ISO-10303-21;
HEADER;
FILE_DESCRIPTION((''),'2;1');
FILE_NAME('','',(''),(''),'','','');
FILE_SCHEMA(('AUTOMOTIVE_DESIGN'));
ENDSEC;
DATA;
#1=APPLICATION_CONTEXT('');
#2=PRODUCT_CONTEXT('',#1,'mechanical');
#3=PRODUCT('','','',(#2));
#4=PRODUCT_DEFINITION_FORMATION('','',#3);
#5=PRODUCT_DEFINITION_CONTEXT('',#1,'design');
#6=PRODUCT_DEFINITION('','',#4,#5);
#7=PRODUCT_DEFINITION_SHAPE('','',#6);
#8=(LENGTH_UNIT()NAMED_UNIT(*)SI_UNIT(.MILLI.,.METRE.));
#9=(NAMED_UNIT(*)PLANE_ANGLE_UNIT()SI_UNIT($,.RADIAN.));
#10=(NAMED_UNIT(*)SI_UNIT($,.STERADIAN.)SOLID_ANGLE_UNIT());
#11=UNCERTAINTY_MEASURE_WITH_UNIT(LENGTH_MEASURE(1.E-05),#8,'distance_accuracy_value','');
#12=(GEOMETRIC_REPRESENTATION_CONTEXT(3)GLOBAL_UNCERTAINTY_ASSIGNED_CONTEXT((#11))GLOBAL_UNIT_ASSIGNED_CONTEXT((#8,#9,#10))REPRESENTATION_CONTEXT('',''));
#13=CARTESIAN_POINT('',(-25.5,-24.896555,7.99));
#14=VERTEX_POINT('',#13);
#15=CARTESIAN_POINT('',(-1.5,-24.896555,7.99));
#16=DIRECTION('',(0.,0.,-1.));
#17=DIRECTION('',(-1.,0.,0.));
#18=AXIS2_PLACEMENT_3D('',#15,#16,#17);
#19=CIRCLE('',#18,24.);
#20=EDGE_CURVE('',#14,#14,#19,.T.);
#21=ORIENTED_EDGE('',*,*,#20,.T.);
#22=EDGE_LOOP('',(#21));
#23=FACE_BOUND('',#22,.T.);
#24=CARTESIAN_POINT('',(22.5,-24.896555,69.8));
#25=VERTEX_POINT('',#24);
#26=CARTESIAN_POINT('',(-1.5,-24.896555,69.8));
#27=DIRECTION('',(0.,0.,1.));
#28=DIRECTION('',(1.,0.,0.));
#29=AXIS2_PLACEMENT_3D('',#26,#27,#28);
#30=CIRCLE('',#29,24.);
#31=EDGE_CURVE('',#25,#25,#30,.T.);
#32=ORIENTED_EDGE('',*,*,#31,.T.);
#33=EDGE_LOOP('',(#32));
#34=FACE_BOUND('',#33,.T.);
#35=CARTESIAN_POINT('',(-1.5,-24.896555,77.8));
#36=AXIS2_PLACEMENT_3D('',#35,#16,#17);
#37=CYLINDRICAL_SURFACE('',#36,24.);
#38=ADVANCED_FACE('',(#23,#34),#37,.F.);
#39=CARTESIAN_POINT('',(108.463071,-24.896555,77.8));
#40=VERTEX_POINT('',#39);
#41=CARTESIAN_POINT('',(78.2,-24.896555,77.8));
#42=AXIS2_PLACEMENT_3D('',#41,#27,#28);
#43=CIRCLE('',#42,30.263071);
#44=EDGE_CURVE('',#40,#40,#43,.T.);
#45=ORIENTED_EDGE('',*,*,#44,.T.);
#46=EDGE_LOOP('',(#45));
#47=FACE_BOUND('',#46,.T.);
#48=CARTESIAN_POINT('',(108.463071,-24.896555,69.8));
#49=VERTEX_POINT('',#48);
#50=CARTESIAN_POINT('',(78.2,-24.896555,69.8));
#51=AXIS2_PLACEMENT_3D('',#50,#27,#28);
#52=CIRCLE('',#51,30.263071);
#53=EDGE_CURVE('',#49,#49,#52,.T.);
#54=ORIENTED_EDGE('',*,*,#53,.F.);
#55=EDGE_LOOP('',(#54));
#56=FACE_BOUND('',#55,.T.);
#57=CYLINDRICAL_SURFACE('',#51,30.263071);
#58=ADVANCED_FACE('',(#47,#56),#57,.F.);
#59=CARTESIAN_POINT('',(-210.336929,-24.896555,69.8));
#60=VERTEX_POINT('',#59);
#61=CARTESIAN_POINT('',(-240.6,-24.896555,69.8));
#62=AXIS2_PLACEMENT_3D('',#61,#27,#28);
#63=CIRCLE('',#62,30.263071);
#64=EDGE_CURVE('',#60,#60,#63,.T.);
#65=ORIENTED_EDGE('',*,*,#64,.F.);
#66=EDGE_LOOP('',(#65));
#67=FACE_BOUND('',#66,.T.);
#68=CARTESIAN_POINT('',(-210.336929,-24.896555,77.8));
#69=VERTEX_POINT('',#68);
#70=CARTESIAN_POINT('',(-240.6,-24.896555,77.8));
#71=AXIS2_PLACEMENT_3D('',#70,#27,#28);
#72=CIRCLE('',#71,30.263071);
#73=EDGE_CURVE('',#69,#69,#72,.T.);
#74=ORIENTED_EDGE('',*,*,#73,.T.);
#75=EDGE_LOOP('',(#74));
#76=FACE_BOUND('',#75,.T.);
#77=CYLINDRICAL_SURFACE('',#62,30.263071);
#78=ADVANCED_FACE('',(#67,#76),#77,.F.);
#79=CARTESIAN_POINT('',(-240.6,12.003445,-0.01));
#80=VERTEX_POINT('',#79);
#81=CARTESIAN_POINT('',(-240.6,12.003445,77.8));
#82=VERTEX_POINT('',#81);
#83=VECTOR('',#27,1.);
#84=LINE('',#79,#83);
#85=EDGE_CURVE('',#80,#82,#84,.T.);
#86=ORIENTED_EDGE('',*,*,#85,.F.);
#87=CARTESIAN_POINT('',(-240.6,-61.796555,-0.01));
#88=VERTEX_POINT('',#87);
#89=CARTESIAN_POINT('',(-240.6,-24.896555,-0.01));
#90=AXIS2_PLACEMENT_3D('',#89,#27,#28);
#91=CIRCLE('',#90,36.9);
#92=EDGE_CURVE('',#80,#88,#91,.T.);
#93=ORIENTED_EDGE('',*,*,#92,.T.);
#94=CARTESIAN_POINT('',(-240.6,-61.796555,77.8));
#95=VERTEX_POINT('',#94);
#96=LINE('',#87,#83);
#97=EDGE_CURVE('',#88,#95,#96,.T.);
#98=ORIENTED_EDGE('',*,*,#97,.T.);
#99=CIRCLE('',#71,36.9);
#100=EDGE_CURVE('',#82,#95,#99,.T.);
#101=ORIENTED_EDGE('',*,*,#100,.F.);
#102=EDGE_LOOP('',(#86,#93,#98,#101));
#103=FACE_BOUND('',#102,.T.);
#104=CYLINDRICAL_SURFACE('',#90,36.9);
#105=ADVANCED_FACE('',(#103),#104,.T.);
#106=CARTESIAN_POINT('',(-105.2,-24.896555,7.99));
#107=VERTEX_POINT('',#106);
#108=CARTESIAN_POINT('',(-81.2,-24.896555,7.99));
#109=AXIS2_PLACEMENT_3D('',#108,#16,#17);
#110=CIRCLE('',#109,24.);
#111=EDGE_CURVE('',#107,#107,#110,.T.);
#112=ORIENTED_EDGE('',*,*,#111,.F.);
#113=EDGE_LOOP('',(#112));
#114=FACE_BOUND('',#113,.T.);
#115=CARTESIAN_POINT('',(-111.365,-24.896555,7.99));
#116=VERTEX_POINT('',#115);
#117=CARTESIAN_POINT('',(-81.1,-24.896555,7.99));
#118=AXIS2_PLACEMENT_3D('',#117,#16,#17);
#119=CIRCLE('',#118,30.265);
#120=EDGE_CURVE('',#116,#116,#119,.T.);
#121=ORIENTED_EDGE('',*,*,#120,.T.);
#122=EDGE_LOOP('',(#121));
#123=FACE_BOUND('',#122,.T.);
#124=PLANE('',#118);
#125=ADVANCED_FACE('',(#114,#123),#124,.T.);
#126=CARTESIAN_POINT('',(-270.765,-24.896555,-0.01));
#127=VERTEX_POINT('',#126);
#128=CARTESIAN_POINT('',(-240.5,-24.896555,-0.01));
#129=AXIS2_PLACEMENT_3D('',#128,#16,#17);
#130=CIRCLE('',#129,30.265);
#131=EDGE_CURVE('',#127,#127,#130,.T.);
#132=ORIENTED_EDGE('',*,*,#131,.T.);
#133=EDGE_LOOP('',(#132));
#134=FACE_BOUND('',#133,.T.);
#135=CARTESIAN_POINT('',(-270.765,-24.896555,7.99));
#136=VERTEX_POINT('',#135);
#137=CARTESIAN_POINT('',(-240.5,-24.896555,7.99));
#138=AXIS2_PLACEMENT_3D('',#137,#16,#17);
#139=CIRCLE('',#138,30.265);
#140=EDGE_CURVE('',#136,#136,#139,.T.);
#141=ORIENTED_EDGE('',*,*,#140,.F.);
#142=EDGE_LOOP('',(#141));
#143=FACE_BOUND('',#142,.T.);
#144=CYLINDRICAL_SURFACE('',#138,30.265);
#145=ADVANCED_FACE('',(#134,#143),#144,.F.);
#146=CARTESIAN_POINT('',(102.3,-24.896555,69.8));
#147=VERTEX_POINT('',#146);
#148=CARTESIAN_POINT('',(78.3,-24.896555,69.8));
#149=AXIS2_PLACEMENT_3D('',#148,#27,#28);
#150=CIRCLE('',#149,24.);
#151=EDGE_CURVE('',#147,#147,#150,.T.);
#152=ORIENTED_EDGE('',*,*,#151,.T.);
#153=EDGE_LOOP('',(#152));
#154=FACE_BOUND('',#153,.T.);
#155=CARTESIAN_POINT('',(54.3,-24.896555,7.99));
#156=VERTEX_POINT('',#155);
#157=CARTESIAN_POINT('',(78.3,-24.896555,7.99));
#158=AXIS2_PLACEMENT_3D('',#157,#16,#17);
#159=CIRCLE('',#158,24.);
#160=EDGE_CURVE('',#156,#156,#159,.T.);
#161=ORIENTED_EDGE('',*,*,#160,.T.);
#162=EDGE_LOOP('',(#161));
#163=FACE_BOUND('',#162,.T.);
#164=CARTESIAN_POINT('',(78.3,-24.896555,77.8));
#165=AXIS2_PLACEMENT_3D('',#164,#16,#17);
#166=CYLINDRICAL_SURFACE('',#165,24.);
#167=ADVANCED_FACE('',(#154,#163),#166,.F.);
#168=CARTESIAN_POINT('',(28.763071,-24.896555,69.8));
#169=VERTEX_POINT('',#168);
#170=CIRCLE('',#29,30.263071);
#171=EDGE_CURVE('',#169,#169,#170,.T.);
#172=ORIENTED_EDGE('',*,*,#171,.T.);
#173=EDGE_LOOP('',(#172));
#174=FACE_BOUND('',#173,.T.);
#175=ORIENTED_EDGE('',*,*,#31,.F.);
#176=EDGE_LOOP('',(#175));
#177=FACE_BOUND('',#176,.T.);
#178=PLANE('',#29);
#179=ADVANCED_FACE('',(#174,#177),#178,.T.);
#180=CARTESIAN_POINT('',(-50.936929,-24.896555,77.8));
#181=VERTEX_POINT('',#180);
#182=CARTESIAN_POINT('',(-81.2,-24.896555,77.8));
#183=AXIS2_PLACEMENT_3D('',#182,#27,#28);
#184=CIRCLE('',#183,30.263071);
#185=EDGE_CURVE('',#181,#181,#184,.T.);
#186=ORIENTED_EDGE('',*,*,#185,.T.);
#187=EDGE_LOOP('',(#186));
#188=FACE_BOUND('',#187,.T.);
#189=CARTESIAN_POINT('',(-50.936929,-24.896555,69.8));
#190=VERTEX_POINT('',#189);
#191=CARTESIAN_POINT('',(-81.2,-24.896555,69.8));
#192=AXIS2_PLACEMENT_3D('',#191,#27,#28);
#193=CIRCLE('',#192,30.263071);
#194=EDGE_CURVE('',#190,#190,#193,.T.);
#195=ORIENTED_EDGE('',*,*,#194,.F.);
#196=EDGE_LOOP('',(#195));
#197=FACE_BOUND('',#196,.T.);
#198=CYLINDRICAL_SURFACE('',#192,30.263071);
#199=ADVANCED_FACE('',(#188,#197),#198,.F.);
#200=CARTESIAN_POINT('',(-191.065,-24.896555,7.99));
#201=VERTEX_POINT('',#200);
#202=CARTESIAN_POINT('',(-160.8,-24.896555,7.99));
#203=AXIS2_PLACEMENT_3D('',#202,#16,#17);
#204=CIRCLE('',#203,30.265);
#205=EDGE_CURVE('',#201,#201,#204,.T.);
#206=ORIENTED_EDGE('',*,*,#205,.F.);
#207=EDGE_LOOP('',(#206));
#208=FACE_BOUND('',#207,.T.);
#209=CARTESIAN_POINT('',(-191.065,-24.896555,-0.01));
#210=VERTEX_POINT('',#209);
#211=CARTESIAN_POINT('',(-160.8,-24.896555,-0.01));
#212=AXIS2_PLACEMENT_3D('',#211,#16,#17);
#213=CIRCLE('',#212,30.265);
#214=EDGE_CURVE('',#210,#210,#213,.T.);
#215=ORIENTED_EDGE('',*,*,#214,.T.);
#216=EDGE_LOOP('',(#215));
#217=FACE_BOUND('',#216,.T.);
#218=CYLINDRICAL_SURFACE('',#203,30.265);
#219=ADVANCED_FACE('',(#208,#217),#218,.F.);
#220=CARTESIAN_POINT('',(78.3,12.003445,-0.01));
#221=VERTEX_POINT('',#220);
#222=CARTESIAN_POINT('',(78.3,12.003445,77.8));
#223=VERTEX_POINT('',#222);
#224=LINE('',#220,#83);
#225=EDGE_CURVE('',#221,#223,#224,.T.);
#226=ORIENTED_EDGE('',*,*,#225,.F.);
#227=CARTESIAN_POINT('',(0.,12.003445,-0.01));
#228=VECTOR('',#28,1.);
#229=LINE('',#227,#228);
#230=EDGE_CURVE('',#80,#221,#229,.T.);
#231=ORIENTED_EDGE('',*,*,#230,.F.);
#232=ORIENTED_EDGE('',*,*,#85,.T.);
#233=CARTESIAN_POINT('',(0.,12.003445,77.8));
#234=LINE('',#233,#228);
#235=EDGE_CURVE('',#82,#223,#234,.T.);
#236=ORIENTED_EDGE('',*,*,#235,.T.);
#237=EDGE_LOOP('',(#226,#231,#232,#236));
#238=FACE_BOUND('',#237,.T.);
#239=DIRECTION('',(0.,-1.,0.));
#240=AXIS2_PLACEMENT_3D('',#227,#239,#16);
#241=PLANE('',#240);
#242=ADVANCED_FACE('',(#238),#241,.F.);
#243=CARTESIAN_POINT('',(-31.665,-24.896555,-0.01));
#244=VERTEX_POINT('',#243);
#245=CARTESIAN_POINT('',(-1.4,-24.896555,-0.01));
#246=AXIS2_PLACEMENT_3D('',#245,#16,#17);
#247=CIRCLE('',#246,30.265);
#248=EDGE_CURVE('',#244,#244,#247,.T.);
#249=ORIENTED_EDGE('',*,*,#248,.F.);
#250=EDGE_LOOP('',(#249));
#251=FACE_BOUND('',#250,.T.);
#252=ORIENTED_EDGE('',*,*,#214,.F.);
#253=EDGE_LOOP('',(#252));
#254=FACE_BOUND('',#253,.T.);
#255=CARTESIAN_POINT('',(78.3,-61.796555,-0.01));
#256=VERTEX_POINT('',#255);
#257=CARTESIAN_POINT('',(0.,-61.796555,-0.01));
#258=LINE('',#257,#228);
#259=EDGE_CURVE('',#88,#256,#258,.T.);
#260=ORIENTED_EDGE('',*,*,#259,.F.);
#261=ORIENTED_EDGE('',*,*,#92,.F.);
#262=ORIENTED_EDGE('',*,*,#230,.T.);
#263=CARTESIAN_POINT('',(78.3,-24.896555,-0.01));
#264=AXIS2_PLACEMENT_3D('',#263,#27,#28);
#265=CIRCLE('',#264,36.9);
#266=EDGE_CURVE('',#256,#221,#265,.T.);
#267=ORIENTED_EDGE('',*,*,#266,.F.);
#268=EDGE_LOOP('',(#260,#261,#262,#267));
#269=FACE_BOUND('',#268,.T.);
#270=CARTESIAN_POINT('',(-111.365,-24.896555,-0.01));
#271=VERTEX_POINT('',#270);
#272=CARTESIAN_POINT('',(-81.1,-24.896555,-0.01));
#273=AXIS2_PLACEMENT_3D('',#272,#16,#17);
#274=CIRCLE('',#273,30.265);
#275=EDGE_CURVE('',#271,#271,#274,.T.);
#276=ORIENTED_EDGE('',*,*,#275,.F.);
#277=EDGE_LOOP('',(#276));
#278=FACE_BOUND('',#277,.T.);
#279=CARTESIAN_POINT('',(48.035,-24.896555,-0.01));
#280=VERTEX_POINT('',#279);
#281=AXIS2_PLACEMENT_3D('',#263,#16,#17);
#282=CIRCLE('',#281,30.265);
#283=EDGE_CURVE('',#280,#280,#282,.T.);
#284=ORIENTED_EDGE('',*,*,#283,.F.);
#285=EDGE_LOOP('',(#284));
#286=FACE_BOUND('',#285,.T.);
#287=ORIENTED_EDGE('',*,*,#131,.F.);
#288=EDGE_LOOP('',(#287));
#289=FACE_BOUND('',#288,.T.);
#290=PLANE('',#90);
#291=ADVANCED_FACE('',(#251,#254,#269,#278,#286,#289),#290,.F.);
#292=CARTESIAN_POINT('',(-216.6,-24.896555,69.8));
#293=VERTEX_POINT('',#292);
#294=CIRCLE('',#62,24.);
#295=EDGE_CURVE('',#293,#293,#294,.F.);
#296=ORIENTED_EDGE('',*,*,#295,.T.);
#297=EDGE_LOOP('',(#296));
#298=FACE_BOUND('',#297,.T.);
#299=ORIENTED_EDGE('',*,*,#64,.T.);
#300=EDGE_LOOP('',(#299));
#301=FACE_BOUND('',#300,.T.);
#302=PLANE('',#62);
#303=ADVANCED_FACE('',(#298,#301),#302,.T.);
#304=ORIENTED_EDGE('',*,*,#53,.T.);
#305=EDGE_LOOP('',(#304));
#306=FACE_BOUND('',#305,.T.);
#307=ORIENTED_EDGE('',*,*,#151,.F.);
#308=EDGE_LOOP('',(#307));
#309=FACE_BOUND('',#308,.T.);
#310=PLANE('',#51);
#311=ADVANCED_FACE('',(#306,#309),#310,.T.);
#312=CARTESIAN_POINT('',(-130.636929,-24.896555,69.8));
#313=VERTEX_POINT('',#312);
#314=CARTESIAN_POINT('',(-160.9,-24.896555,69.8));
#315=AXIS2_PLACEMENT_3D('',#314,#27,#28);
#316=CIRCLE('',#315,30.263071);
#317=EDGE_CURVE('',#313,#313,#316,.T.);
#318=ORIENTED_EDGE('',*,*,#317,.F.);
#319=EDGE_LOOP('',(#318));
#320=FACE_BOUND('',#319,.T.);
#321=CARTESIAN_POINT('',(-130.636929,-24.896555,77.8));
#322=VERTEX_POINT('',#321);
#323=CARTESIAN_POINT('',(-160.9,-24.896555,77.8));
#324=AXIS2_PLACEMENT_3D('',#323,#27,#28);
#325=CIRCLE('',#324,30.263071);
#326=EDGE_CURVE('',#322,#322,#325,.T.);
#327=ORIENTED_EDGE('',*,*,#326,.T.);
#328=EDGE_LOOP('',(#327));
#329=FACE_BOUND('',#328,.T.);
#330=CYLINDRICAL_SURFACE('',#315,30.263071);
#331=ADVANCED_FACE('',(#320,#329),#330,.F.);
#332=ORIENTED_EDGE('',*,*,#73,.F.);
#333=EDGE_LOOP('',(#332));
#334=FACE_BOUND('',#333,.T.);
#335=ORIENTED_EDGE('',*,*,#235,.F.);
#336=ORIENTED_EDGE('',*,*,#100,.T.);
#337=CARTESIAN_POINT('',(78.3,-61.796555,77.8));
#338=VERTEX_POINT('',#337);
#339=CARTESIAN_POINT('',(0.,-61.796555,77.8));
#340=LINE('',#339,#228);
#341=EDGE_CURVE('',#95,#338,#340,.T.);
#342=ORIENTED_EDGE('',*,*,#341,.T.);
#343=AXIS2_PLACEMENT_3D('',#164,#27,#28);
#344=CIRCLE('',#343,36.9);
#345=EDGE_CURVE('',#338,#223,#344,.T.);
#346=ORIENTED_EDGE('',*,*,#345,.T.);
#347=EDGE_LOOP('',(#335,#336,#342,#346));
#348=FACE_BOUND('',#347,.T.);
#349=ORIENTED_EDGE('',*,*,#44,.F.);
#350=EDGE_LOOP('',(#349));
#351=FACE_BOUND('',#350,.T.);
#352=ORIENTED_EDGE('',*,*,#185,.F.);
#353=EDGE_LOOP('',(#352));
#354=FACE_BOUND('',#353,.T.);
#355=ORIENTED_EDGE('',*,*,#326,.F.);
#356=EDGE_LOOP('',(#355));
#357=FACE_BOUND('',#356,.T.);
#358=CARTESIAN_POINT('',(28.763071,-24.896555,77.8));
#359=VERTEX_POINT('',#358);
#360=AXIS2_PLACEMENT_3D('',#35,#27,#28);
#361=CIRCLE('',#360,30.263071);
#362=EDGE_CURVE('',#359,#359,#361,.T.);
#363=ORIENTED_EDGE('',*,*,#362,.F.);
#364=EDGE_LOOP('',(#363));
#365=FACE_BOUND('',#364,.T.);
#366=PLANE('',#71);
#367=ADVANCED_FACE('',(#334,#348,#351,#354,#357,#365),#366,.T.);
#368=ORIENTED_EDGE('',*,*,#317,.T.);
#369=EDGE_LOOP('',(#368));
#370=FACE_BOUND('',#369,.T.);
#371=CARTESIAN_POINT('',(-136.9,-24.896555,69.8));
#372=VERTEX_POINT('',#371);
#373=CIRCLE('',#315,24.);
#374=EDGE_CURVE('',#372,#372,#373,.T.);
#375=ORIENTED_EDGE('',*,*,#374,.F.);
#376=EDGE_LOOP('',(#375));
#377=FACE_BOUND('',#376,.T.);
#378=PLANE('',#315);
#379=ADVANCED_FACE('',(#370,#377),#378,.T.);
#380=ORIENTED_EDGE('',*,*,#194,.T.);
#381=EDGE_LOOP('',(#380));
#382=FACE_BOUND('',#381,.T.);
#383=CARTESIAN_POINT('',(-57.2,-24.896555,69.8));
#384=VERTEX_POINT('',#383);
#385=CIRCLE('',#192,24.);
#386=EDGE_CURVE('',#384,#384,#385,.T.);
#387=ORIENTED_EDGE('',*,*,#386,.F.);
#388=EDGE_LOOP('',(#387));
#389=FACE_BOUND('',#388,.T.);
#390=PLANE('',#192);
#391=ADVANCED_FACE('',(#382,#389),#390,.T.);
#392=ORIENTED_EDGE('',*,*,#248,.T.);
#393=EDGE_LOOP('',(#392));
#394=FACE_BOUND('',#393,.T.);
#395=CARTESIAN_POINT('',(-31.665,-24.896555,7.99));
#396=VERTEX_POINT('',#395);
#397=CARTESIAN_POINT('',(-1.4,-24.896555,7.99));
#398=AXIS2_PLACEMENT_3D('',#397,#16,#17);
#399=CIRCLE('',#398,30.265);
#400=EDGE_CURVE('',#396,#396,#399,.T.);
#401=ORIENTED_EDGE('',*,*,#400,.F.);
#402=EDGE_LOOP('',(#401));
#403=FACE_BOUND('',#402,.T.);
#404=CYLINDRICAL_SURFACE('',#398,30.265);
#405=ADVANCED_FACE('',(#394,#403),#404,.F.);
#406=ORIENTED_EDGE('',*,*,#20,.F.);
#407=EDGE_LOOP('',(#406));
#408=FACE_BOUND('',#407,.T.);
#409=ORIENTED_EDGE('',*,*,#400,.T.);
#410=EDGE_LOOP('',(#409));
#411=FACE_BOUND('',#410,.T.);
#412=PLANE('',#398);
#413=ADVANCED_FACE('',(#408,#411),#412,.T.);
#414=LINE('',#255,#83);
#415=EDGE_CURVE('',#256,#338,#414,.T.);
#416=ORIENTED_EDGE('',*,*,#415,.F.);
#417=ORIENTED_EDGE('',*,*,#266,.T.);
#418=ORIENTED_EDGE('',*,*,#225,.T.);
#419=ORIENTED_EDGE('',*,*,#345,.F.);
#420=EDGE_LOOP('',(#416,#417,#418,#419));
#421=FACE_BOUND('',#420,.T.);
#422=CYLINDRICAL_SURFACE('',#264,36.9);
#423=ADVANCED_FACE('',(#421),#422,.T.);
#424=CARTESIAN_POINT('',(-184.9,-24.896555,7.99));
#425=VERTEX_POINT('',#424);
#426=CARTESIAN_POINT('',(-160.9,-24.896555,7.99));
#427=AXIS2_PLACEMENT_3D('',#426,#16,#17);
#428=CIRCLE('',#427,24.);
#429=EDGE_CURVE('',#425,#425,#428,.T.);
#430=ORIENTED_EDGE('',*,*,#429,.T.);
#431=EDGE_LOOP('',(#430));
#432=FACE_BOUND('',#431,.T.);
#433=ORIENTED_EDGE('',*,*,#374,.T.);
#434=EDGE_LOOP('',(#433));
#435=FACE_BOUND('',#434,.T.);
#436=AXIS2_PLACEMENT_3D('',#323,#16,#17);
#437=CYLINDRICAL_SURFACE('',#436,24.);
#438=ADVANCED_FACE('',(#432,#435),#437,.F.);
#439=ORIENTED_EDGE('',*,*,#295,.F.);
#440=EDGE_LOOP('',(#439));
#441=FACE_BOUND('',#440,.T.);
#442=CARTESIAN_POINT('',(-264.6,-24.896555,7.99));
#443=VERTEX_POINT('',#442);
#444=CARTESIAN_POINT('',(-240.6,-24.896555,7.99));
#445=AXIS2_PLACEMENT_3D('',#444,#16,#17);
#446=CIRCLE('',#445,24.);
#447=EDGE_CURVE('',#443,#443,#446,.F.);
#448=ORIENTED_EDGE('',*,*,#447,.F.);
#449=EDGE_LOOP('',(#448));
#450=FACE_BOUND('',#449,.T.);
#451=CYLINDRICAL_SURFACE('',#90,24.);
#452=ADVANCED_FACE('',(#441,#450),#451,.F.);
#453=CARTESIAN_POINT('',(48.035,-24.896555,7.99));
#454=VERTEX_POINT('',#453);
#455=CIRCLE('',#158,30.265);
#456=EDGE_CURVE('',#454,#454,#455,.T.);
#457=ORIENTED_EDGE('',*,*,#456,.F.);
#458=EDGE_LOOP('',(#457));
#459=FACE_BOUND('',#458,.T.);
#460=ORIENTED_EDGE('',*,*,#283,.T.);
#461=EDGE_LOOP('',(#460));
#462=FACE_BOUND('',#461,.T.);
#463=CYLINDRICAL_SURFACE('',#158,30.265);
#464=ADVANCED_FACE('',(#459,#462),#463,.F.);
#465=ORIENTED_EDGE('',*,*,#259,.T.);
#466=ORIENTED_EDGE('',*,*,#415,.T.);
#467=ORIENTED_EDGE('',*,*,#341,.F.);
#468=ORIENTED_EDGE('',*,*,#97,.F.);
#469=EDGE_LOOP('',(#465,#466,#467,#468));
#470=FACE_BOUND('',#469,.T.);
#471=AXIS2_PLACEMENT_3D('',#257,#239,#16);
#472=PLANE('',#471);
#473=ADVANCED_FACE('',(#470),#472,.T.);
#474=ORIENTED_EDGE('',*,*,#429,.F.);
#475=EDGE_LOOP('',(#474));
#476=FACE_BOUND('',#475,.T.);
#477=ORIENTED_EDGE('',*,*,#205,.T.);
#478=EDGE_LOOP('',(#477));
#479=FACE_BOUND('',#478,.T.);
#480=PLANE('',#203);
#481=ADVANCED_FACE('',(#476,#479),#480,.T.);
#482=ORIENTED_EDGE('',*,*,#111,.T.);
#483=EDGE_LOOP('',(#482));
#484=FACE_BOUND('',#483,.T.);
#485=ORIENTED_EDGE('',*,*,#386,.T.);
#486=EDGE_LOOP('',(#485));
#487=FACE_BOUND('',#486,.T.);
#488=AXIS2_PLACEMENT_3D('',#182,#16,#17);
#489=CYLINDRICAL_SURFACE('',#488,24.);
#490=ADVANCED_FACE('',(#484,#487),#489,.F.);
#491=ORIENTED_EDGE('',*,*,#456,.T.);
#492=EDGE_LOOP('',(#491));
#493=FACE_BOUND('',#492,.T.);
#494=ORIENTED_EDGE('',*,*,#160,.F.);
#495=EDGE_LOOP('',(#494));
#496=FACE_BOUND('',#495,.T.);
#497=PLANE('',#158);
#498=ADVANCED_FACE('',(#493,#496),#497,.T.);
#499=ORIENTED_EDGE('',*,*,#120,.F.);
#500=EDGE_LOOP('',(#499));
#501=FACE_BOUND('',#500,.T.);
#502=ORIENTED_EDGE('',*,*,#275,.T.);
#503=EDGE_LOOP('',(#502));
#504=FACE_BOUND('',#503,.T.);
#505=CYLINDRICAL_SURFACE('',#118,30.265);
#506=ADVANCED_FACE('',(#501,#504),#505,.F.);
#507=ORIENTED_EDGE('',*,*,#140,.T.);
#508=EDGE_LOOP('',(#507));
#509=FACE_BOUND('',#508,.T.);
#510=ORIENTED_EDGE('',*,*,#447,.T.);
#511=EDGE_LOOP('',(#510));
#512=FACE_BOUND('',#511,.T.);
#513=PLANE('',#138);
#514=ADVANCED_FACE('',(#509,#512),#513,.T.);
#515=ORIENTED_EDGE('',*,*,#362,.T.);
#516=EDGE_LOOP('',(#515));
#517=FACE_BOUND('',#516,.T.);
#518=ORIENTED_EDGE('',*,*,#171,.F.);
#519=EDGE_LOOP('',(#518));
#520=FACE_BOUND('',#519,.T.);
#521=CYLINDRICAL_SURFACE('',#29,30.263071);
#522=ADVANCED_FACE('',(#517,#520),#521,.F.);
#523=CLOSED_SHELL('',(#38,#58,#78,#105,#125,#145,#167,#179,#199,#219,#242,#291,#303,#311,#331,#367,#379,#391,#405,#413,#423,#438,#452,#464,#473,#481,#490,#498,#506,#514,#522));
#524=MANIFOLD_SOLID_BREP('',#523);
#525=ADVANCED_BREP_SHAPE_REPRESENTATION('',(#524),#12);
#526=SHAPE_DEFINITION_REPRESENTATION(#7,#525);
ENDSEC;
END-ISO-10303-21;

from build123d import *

# Parameters (mm, degrees)
SKETCH1_R                = 24
BOSS_EXTRUDE4_DEPTH      = 77.8
BOSS_EXTRUDE4_DEPTH_BACK = 0.01
SKETCH6_R                = 30.26307147
CUT_EXTRUDE1_DEPTH       = 8
SKETCH9_R                = 30.265
CUT_EXTRUDE2_DEPTH       = 8


with BuildPart() as part:
    # Sketch1 → Boss-Extrude4 (new body, two sides)
    with BuildSketch(Plane.XY) as boss_extrude4_sk:
        with BuildLine():
            Line((-240.6, 12.003445454), (78.3, 12.003445454))
            ThreePointArc((78.3, 12.003445454), (115.2, -24.896554546), (78.3, -61.796554546))
            Line((78.3, -61.796554546), (-240.6, -61.796554546))
            ThreePointArc((-240.6, -61.796554546), (-277.5, -24.896554546), (-240.6, 12.003445454))
        make_face()
        with Locations((-240.6, -24.896554546)):
            Circle(SKETCH1_R, mode=Mode.SUBTRACT)
        with Locations((-160.9, -24.896554546)):
            Circle(SKETCH1_R, mode=Mode.SUBTRACT)
        with Locations((-81.2, -24.896554546)):
            Circle(SKETCH1_R, mode=Mode.SUBTRACT)
        with Locations((-1.5, -24.896554546)):
            Circle(SKETCH1_R, mode=Mode.SUBTRACT)
        with Locations((78.3, -24.896554546)):
            Circle(SKETCH1_R, mode=Mode.SUBTRACT)
    extrude(amount=BOSS_EXTRUDE4_DEPTH)
    extrude(boss_extrude4_sk.sketch, amount=-BOSS_EXTRUDE4_DEPTH_BACK)

    # Sketch6 → Cut-Extrude1 (cut)
    with BuildSketch(Plane.XY.offset(77.8)):
        with Locations((-240.6, -24.896554546)):
            Circle(SKETCH6_R)
        with Locations((-160.9, -24.896554546)):
            Circle(SKETCH6_R)
        with Locations((-81.2, -24.896554546)):
            Circle(SKETCH6_R)
        with Locations((-1.5, -24.896554546)):
            Circle(SKETCH6_R)
        with Locations((78.2, -24.896554546)):
            Circle(SKETCH6_R)
    extrude(amount=-CUT_EXTRUDE1_DEPTH, mode=Mode.SUBTRACT)

    # Sketch9 → Cut-Extrude2 (cut)
    with BuildSketch(Plane(origin=(0, 0, -0.01), x_dir=(-1, 0, 0), z_dir=(0, 0, -1))):
        with Locations((-78.3, -24.896554546)):
            Circle(SKETCH9_R)
        with Locations((1.4, -24.896554546)):
            Circle(SKETCH9_R)
        with Locations((81.1, -24.896554546)):
            Circle(SKETCH9_R)
        with Locations((160.8, -24.896554546)):
            Circle(SKETCH9_R)
        with Locations((240.5, -24.896554546)):
            Circle(SKETCH9_R)
    extrude(amount=-CUT_EXTRUDE2_DEPTH, mode=Mode.SUBTRACT)


solid = part.part
